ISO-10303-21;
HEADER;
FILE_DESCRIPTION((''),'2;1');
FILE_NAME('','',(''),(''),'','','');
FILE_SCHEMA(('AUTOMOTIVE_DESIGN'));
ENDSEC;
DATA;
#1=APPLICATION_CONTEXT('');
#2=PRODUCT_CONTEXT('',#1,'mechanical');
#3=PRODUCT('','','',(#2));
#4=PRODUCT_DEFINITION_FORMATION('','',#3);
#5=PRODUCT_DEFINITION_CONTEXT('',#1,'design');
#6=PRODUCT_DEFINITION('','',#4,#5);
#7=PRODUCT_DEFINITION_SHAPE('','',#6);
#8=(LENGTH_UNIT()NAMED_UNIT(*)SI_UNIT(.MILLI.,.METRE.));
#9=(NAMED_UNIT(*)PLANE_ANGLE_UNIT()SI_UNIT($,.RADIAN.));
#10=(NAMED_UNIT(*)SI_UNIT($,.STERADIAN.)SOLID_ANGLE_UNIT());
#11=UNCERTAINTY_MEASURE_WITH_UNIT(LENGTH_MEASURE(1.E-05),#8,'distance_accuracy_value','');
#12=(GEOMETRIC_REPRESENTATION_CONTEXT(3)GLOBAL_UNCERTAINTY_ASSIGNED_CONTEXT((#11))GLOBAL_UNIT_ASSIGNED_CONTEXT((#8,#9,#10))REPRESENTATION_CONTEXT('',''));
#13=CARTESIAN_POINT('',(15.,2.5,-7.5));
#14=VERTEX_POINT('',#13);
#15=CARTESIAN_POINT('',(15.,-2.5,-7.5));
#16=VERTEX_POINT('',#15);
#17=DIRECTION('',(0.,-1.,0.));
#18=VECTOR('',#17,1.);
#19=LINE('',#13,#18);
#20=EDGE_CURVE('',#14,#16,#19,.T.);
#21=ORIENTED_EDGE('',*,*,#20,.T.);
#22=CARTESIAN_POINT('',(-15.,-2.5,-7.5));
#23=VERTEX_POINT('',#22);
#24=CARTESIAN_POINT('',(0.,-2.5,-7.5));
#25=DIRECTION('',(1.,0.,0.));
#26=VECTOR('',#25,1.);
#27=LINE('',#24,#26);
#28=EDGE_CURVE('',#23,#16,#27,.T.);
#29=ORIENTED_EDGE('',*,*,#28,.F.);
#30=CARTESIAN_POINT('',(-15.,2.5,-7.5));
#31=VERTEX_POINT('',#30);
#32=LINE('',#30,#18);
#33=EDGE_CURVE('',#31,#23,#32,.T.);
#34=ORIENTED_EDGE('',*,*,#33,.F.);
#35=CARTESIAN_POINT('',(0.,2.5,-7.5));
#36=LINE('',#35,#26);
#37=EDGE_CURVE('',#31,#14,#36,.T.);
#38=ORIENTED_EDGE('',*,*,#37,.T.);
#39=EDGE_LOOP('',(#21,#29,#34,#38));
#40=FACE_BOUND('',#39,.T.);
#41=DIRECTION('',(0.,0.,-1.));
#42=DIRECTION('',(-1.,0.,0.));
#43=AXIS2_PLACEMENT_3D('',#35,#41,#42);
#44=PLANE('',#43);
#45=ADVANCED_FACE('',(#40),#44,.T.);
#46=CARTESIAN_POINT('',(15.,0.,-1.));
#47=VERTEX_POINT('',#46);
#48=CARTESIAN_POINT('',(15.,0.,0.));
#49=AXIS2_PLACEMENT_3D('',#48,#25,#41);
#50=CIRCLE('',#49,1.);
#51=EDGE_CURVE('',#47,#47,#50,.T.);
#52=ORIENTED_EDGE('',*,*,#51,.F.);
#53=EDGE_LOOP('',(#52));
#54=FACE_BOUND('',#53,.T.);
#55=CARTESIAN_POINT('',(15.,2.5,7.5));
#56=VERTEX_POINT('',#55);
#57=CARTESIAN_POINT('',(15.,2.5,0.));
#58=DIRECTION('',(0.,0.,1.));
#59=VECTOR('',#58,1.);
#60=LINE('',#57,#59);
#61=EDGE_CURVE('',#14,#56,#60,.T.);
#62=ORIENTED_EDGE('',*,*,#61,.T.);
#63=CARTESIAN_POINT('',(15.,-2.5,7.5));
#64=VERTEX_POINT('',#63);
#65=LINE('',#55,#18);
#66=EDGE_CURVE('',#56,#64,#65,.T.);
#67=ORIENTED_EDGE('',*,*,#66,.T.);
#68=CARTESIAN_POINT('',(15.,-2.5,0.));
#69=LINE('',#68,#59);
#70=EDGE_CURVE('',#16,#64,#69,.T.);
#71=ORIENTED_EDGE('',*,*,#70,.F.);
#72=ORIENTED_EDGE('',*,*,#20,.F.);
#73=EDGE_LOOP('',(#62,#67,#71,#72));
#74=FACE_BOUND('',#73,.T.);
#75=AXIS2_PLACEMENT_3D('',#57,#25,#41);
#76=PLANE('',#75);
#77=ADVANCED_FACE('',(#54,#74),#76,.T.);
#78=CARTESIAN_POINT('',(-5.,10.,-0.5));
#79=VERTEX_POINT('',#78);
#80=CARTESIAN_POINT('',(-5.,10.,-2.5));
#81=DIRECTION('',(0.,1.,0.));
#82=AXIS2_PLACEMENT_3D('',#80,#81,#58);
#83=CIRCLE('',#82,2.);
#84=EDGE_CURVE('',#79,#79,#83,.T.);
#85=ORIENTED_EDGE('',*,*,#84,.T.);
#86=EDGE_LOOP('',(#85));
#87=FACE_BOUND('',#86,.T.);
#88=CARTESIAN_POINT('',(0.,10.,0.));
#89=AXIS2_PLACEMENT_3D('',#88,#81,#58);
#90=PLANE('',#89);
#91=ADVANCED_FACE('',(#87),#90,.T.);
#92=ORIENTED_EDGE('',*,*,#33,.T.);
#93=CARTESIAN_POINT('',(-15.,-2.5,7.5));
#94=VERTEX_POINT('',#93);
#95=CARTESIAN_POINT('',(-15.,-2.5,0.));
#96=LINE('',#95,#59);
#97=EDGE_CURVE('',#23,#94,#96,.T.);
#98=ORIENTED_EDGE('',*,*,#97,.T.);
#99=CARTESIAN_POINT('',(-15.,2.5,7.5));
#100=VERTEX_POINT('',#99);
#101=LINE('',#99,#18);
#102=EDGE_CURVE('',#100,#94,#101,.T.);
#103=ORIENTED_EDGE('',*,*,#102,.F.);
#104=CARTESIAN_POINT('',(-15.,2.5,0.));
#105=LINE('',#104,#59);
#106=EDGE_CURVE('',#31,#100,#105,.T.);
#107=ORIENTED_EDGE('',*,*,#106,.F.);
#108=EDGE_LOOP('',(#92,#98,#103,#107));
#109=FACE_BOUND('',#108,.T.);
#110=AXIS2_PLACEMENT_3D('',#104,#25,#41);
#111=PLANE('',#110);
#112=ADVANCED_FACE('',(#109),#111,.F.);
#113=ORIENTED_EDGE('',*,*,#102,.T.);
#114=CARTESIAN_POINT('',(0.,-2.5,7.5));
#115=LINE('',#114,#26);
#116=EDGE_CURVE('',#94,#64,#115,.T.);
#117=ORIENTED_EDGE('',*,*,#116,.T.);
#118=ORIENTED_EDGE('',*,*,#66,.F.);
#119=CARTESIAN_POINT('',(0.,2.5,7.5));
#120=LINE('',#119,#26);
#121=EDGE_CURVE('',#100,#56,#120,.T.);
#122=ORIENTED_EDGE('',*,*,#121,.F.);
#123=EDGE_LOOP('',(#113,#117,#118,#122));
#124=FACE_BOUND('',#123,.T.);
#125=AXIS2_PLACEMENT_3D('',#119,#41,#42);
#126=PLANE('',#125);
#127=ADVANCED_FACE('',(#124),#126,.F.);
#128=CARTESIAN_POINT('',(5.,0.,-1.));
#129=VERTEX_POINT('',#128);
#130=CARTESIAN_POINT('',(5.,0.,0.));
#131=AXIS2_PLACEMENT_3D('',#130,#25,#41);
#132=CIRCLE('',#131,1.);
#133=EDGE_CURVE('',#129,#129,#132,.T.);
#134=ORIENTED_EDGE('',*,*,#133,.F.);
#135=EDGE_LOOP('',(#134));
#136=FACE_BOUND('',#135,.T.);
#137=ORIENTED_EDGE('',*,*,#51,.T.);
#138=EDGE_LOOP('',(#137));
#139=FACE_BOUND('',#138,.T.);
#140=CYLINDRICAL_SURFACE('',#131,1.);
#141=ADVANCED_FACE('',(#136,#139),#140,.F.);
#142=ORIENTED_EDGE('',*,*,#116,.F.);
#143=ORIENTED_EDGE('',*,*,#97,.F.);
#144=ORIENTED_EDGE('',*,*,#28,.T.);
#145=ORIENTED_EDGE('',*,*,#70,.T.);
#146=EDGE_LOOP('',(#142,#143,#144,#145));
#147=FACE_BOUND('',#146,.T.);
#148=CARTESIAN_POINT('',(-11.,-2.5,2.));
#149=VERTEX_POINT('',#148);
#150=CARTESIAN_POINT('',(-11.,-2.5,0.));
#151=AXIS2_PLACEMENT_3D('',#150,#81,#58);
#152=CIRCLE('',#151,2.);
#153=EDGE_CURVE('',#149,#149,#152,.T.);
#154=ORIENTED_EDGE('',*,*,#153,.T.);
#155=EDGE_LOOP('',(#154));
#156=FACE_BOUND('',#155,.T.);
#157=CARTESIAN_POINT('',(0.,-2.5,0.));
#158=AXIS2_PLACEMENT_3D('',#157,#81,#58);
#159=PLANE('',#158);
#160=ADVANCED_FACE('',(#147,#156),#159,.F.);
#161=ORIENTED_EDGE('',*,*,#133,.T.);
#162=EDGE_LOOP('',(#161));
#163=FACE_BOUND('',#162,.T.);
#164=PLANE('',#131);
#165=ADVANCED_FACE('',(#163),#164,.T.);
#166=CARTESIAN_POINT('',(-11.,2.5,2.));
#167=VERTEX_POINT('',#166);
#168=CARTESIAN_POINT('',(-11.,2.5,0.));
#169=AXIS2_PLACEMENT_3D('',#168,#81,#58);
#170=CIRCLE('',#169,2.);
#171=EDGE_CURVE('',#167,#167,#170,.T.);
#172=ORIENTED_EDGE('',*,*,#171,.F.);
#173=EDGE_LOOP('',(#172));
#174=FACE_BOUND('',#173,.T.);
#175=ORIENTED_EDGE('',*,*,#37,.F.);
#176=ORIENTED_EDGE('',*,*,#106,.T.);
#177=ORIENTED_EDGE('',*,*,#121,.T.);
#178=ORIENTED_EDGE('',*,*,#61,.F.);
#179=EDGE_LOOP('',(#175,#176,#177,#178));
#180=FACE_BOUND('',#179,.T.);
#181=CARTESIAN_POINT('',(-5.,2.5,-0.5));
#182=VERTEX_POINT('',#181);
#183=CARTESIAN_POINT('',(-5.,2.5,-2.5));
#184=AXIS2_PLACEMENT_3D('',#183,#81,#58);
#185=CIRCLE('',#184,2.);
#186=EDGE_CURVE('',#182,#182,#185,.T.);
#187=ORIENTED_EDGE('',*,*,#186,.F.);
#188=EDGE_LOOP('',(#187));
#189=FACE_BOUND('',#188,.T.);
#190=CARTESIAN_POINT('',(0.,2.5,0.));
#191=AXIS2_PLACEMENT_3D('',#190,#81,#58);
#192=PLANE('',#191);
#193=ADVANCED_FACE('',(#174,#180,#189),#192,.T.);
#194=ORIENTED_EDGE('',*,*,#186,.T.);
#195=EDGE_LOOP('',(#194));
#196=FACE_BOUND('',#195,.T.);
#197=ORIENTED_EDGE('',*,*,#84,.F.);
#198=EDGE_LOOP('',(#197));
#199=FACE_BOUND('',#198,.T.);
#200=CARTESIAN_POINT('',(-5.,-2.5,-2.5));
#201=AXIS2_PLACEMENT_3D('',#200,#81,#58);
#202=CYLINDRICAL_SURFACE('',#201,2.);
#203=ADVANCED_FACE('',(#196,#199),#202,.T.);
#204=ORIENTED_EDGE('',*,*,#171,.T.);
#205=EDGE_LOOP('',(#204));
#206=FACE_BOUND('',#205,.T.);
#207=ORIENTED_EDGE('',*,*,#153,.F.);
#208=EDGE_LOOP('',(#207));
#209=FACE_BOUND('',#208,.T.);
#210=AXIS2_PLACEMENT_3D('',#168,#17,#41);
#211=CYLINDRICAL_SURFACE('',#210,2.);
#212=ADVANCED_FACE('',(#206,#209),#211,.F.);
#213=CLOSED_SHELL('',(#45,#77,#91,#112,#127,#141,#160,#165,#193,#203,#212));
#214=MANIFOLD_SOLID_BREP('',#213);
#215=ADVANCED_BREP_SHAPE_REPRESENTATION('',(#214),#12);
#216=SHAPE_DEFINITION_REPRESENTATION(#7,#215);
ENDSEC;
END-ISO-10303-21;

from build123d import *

# Parameters (mm, degrees)
SKETCH1_W                = 30
SKETCH1_H                = 15
SKETCH1_R                = 2
BOSS_EXTRUDE1_DEPTH      = 2.5
BOSS_EXTRUDE2_DEPTH      = 10
BOSS_EXTRUDE2_DEPTH_BACK = 2.5
SKETCH1_3_R              = 2
SKETCH2_R                = 1
CUT_EXTRUDE1_DEPTH       = 10


with BuildPart() as part:
    # Sketch1 → Boss-Extrude1 (new, symmetric)
    with BuildSketch(Plane(origin=(0, 0, 0), x_dir=(1, 0, 0), z_dir=(0, 1, 0))):
        Rectangle(SKETCH1_W, SKETCH1_H)
        with Locations((-11, 0)):
            Circle(SKETCH1_R, mode=Mode.SUBTRACT)
        with Locations((-5, 2.5)):
            Circle(SKETCH1_R, mode=Mode.SUBTRACT)
    extrude(amount=BOSS_EXTRUDE1_DEPTH, both=True)

    # Sketch1<3> → Boss-Extrude2 (add, two sides: drawn at the far end of the back side and taken through both)
    with BuildSketch(Plane(origin=(0, 0, 0), x_dir=(1, 0, 0), z_dir=(0, 1, 0)).offset(-BOSS_EXTRUDE2_DEPTH_BACK)):
        with Locations((-5, 2.5)):
            Circle(SKETCH1_3_R)
    extrude(amount=BOSS_EXTRUDE2_DEPTH + BOSS_EXTRUDE2_DEPTH_BACK)

    # Sketch2 → Cut-Extrude1 (cut)
    with BuildSketch(Plane(origin=(15, 0, 0), x_dir=(0, 0, -1), z_dir=(1, 0, 0))):
        Circle(SKETCH2_R)
    extrude(amount=-CUT_EXTRUDE1_DEPTH, mode=Mode.SUBTRACT)


solid = part.part
